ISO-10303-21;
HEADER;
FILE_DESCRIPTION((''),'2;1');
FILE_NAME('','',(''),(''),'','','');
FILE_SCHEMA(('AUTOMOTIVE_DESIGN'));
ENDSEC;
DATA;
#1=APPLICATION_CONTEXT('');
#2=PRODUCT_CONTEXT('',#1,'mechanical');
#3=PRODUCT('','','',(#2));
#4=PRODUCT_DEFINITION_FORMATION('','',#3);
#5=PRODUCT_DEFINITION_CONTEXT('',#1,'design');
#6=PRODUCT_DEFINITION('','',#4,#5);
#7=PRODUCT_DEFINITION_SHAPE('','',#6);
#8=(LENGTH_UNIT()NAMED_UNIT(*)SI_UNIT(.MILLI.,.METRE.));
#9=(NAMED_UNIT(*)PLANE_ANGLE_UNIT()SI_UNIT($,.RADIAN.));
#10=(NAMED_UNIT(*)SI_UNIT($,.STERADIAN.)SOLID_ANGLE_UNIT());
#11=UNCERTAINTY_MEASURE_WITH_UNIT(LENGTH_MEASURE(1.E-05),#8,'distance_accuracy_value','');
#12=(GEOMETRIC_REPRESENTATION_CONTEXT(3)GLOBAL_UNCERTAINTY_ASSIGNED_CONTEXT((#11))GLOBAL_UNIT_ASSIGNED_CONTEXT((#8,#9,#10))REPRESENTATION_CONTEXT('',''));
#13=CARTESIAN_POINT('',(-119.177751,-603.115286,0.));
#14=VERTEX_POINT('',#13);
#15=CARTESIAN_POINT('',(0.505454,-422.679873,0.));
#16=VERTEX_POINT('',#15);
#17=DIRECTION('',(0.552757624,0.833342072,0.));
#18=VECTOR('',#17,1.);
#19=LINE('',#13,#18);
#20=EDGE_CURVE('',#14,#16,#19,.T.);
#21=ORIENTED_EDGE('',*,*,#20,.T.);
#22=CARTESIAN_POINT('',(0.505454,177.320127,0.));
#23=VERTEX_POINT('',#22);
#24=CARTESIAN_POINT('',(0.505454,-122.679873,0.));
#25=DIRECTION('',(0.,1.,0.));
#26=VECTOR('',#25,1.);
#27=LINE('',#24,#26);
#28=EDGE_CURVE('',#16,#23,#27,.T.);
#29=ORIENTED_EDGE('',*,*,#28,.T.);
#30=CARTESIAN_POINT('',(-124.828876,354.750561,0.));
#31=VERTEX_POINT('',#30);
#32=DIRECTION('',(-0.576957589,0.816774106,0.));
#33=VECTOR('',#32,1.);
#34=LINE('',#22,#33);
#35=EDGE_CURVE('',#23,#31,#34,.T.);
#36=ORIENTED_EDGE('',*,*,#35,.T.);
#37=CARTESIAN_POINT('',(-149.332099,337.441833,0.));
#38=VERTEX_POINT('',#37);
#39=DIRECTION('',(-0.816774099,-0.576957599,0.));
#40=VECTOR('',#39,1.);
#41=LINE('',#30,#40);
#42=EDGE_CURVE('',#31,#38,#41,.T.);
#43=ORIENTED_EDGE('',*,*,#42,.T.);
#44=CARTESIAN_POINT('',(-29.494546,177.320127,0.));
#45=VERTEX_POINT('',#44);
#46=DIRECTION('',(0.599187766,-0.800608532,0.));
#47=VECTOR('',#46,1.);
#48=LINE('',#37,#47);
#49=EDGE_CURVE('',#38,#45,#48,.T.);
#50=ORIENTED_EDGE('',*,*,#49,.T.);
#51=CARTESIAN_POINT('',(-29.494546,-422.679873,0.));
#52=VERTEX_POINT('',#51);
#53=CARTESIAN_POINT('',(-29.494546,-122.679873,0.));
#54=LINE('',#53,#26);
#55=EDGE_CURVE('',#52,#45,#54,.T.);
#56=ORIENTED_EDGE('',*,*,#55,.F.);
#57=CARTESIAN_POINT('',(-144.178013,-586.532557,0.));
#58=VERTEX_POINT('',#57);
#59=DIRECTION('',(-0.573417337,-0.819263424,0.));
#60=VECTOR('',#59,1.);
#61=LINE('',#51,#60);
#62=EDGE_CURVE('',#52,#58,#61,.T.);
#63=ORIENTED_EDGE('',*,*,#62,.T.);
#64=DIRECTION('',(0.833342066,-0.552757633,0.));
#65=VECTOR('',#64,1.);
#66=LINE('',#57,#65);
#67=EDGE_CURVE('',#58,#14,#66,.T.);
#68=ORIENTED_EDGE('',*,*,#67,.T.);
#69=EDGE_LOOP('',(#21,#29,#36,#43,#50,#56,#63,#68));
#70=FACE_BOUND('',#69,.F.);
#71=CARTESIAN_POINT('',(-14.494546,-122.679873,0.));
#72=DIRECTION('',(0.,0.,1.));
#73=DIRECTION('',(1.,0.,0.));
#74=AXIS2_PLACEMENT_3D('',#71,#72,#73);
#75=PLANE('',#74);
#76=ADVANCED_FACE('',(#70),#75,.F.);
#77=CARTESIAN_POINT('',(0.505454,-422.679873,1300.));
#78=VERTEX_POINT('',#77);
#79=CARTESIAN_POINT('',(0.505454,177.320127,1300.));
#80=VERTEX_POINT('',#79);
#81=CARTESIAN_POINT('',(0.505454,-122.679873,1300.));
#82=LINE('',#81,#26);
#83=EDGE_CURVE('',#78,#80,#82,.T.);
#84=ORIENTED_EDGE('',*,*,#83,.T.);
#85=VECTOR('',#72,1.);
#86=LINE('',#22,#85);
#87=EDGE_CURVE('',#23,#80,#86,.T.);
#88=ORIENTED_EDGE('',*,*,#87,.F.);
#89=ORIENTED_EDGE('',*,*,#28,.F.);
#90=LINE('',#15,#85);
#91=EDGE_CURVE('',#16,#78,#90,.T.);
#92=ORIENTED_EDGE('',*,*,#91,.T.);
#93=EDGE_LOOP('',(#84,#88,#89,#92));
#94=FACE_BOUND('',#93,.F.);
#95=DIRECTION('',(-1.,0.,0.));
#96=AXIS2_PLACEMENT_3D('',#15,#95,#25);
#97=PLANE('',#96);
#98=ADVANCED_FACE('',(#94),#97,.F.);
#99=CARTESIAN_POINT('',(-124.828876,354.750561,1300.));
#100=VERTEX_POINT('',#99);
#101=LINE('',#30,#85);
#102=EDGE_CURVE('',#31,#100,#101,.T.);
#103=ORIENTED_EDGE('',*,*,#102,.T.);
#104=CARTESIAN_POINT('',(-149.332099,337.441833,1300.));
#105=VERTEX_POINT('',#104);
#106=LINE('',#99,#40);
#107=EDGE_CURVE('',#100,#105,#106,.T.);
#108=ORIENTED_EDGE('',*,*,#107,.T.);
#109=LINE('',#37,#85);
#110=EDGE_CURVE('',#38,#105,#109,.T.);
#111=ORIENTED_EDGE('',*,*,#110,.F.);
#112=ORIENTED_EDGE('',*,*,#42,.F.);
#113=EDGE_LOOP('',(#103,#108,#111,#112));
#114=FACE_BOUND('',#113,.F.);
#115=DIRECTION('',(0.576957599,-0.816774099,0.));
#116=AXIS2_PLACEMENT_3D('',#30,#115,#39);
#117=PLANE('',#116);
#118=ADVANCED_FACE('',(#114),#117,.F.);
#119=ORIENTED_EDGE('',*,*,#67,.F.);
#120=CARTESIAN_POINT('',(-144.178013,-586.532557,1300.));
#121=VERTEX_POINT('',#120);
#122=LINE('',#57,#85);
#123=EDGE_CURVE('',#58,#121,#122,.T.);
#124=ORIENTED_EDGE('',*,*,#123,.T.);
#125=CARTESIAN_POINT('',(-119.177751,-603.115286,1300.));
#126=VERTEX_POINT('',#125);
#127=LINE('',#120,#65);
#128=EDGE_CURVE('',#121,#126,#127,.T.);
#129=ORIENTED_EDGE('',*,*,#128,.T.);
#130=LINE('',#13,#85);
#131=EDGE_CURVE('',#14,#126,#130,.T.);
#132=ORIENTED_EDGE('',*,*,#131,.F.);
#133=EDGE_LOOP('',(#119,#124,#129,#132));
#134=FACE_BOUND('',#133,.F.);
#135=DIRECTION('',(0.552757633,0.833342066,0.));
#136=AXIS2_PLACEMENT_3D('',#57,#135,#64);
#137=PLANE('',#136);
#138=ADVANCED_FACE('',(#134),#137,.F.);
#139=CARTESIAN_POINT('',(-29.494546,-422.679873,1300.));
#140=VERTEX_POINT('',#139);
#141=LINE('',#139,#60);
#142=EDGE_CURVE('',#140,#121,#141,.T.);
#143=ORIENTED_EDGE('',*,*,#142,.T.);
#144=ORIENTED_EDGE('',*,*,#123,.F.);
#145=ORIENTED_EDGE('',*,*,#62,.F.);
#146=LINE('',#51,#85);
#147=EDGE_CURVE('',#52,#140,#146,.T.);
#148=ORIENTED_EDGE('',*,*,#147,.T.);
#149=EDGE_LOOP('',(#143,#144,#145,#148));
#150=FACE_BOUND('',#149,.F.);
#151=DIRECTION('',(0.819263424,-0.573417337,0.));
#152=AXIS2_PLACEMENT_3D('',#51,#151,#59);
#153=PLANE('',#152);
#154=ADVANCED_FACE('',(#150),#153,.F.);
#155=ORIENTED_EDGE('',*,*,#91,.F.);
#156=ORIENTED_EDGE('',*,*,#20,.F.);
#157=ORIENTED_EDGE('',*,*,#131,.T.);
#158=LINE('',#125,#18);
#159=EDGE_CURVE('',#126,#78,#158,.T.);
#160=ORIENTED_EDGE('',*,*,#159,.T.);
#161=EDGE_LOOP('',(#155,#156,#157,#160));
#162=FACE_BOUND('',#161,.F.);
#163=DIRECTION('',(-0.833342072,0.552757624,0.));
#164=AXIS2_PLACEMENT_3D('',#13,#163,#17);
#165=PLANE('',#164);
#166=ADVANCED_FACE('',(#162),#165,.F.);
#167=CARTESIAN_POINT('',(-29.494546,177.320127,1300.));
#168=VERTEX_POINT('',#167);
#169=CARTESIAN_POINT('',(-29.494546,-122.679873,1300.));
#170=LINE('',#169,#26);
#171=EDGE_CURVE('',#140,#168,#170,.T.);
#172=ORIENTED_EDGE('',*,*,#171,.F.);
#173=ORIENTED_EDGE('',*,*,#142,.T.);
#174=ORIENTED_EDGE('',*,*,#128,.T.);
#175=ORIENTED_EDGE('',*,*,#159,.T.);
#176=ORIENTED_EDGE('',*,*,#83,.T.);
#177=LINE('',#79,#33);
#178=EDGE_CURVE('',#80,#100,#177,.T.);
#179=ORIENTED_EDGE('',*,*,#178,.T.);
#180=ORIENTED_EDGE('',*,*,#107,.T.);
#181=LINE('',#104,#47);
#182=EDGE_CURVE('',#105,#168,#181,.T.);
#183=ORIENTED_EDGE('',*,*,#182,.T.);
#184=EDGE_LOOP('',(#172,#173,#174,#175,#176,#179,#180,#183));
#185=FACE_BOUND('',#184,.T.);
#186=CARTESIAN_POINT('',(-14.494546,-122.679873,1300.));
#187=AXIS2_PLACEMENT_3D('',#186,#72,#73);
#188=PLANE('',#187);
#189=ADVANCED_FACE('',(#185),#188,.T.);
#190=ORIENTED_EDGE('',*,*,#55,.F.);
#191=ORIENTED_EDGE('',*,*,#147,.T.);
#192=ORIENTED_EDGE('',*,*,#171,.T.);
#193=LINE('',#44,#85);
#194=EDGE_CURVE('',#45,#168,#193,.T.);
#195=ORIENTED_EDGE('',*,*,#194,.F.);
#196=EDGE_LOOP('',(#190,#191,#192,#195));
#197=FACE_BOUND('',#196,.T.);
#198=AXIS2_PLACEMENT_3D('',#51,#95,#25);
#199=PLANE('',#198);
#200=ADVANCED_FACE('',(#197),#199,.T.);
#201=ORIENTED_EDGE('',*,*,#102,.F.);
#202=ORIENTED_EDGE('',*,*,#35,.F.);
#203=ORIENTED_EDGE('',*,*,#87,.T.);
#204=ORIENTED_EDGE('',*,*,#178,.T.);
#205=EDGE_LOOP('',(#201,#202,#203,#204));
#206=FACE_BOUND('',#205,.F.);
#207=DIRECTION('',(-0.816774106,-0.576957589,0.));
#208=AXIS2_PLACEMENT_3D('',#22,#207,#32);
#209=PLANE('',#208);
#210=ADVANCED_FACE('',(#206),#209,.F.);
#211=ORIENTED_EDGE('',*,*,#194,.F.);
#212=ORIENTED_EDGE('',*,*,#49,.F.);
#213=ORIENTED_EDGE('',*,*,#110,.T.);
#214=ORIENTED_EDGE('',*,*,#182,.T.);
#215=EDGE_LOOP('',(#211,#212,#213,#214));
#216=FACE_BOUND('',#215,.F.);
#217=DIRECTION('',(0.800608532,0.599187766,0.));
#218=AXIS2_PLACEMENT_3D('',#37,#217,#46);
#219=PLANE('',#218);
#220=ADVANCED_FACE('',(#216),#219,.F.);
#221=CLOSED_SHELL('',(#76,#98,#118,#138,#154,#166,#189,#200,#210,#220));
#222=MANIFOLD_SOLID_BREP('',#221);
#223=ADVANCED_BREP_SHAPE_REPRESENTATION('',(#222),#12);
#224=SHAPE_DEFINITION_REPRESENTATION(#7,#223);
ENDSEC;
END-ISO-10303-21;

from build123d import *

# Parameters (mm, degrees)
F0_W     = 30
F0_H     = 600
F1_DEPTH = 1300


with BuildPart() as f1:
    # F0 (on Top) → F1 (new body)
    with BuildSketch(Plane.XY):
        with Locations((-14.494546, -122.679873)):
            Rectangle(F0_W, F0_H)
        Polygon((-29.494546, 177.320127), (0.505454, 177.320127), (-124.828876, 354.750561), (-149.332099, 337.441833), align=None)
        Polygon((-119.177751, -603.115286), (0.505454, -422.679873), (-29.494546, -422.679873), (-144.178013, -586.532557), align=None)
    extrude(amount=F1_DEPTH)


solid = f1.part
